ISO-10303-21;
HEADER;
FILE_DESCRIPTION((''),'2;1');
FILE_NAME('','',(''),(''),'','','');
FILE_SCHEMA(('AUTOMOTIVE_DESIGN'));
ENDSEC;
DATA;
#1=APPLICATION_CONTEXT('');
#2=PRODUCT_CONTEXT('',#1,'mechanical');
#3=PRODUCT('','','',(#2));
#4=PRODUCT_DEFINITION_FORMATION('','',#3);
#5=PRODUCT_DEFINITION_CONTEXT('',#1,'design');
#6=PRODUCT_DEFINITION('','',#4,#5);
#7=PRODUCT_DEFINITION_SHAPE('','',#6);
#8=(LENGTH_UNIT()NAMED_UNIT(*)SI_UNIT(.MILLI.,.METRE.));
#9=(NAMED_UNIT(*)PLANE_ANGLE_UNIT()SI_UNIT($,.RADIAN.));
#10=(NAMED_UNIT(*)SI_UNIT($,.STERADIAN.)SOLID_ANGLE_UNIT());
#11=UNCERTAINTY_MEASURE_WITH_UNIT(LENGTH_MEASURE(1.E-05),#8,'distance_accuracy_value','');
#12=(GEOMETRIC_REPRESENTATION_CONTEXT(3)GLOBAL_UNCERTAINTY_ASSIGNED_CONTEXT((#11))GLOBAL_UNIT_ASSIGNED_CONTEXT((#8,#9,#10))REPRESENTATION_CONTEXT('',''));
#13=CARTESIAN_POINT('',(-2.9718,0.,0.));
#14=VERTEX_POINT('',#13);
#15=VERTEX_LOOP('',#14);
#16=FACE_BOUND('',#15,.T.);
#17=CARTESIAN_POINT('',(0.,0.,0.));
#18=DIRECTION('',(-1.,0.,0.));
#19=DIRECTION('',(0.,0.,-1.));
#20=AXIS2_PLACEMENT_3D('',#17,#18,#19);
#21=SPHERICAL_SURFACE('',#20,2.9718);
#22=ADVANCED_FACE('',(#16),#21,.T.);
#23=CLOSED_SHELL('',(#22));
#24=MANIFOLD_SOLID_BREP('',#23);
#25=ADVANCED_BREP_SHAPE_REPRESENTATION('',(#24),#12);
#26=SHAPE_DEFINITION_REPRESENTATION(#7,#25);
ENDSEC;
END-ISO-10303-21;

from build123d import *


with BuildPart() as part:
    # Sketch1 → Revolve1 (revolve)
    with BuildSketch(Plane(origin=(0, 0, 0), x_dir=(1, 0, 0), z_dir=(0, 1, 0))):
        with BuildLine():
            Line((-2.9718, 0), (2.9718, 0))
            ThreePointArc((2.9718, 0), (0, 2.9718), (-2.9718, 0))
        make_face()
    revolve(axis=Axis((-2.9718, 0, 0), (1, 0, 0)))


solid = part.part
